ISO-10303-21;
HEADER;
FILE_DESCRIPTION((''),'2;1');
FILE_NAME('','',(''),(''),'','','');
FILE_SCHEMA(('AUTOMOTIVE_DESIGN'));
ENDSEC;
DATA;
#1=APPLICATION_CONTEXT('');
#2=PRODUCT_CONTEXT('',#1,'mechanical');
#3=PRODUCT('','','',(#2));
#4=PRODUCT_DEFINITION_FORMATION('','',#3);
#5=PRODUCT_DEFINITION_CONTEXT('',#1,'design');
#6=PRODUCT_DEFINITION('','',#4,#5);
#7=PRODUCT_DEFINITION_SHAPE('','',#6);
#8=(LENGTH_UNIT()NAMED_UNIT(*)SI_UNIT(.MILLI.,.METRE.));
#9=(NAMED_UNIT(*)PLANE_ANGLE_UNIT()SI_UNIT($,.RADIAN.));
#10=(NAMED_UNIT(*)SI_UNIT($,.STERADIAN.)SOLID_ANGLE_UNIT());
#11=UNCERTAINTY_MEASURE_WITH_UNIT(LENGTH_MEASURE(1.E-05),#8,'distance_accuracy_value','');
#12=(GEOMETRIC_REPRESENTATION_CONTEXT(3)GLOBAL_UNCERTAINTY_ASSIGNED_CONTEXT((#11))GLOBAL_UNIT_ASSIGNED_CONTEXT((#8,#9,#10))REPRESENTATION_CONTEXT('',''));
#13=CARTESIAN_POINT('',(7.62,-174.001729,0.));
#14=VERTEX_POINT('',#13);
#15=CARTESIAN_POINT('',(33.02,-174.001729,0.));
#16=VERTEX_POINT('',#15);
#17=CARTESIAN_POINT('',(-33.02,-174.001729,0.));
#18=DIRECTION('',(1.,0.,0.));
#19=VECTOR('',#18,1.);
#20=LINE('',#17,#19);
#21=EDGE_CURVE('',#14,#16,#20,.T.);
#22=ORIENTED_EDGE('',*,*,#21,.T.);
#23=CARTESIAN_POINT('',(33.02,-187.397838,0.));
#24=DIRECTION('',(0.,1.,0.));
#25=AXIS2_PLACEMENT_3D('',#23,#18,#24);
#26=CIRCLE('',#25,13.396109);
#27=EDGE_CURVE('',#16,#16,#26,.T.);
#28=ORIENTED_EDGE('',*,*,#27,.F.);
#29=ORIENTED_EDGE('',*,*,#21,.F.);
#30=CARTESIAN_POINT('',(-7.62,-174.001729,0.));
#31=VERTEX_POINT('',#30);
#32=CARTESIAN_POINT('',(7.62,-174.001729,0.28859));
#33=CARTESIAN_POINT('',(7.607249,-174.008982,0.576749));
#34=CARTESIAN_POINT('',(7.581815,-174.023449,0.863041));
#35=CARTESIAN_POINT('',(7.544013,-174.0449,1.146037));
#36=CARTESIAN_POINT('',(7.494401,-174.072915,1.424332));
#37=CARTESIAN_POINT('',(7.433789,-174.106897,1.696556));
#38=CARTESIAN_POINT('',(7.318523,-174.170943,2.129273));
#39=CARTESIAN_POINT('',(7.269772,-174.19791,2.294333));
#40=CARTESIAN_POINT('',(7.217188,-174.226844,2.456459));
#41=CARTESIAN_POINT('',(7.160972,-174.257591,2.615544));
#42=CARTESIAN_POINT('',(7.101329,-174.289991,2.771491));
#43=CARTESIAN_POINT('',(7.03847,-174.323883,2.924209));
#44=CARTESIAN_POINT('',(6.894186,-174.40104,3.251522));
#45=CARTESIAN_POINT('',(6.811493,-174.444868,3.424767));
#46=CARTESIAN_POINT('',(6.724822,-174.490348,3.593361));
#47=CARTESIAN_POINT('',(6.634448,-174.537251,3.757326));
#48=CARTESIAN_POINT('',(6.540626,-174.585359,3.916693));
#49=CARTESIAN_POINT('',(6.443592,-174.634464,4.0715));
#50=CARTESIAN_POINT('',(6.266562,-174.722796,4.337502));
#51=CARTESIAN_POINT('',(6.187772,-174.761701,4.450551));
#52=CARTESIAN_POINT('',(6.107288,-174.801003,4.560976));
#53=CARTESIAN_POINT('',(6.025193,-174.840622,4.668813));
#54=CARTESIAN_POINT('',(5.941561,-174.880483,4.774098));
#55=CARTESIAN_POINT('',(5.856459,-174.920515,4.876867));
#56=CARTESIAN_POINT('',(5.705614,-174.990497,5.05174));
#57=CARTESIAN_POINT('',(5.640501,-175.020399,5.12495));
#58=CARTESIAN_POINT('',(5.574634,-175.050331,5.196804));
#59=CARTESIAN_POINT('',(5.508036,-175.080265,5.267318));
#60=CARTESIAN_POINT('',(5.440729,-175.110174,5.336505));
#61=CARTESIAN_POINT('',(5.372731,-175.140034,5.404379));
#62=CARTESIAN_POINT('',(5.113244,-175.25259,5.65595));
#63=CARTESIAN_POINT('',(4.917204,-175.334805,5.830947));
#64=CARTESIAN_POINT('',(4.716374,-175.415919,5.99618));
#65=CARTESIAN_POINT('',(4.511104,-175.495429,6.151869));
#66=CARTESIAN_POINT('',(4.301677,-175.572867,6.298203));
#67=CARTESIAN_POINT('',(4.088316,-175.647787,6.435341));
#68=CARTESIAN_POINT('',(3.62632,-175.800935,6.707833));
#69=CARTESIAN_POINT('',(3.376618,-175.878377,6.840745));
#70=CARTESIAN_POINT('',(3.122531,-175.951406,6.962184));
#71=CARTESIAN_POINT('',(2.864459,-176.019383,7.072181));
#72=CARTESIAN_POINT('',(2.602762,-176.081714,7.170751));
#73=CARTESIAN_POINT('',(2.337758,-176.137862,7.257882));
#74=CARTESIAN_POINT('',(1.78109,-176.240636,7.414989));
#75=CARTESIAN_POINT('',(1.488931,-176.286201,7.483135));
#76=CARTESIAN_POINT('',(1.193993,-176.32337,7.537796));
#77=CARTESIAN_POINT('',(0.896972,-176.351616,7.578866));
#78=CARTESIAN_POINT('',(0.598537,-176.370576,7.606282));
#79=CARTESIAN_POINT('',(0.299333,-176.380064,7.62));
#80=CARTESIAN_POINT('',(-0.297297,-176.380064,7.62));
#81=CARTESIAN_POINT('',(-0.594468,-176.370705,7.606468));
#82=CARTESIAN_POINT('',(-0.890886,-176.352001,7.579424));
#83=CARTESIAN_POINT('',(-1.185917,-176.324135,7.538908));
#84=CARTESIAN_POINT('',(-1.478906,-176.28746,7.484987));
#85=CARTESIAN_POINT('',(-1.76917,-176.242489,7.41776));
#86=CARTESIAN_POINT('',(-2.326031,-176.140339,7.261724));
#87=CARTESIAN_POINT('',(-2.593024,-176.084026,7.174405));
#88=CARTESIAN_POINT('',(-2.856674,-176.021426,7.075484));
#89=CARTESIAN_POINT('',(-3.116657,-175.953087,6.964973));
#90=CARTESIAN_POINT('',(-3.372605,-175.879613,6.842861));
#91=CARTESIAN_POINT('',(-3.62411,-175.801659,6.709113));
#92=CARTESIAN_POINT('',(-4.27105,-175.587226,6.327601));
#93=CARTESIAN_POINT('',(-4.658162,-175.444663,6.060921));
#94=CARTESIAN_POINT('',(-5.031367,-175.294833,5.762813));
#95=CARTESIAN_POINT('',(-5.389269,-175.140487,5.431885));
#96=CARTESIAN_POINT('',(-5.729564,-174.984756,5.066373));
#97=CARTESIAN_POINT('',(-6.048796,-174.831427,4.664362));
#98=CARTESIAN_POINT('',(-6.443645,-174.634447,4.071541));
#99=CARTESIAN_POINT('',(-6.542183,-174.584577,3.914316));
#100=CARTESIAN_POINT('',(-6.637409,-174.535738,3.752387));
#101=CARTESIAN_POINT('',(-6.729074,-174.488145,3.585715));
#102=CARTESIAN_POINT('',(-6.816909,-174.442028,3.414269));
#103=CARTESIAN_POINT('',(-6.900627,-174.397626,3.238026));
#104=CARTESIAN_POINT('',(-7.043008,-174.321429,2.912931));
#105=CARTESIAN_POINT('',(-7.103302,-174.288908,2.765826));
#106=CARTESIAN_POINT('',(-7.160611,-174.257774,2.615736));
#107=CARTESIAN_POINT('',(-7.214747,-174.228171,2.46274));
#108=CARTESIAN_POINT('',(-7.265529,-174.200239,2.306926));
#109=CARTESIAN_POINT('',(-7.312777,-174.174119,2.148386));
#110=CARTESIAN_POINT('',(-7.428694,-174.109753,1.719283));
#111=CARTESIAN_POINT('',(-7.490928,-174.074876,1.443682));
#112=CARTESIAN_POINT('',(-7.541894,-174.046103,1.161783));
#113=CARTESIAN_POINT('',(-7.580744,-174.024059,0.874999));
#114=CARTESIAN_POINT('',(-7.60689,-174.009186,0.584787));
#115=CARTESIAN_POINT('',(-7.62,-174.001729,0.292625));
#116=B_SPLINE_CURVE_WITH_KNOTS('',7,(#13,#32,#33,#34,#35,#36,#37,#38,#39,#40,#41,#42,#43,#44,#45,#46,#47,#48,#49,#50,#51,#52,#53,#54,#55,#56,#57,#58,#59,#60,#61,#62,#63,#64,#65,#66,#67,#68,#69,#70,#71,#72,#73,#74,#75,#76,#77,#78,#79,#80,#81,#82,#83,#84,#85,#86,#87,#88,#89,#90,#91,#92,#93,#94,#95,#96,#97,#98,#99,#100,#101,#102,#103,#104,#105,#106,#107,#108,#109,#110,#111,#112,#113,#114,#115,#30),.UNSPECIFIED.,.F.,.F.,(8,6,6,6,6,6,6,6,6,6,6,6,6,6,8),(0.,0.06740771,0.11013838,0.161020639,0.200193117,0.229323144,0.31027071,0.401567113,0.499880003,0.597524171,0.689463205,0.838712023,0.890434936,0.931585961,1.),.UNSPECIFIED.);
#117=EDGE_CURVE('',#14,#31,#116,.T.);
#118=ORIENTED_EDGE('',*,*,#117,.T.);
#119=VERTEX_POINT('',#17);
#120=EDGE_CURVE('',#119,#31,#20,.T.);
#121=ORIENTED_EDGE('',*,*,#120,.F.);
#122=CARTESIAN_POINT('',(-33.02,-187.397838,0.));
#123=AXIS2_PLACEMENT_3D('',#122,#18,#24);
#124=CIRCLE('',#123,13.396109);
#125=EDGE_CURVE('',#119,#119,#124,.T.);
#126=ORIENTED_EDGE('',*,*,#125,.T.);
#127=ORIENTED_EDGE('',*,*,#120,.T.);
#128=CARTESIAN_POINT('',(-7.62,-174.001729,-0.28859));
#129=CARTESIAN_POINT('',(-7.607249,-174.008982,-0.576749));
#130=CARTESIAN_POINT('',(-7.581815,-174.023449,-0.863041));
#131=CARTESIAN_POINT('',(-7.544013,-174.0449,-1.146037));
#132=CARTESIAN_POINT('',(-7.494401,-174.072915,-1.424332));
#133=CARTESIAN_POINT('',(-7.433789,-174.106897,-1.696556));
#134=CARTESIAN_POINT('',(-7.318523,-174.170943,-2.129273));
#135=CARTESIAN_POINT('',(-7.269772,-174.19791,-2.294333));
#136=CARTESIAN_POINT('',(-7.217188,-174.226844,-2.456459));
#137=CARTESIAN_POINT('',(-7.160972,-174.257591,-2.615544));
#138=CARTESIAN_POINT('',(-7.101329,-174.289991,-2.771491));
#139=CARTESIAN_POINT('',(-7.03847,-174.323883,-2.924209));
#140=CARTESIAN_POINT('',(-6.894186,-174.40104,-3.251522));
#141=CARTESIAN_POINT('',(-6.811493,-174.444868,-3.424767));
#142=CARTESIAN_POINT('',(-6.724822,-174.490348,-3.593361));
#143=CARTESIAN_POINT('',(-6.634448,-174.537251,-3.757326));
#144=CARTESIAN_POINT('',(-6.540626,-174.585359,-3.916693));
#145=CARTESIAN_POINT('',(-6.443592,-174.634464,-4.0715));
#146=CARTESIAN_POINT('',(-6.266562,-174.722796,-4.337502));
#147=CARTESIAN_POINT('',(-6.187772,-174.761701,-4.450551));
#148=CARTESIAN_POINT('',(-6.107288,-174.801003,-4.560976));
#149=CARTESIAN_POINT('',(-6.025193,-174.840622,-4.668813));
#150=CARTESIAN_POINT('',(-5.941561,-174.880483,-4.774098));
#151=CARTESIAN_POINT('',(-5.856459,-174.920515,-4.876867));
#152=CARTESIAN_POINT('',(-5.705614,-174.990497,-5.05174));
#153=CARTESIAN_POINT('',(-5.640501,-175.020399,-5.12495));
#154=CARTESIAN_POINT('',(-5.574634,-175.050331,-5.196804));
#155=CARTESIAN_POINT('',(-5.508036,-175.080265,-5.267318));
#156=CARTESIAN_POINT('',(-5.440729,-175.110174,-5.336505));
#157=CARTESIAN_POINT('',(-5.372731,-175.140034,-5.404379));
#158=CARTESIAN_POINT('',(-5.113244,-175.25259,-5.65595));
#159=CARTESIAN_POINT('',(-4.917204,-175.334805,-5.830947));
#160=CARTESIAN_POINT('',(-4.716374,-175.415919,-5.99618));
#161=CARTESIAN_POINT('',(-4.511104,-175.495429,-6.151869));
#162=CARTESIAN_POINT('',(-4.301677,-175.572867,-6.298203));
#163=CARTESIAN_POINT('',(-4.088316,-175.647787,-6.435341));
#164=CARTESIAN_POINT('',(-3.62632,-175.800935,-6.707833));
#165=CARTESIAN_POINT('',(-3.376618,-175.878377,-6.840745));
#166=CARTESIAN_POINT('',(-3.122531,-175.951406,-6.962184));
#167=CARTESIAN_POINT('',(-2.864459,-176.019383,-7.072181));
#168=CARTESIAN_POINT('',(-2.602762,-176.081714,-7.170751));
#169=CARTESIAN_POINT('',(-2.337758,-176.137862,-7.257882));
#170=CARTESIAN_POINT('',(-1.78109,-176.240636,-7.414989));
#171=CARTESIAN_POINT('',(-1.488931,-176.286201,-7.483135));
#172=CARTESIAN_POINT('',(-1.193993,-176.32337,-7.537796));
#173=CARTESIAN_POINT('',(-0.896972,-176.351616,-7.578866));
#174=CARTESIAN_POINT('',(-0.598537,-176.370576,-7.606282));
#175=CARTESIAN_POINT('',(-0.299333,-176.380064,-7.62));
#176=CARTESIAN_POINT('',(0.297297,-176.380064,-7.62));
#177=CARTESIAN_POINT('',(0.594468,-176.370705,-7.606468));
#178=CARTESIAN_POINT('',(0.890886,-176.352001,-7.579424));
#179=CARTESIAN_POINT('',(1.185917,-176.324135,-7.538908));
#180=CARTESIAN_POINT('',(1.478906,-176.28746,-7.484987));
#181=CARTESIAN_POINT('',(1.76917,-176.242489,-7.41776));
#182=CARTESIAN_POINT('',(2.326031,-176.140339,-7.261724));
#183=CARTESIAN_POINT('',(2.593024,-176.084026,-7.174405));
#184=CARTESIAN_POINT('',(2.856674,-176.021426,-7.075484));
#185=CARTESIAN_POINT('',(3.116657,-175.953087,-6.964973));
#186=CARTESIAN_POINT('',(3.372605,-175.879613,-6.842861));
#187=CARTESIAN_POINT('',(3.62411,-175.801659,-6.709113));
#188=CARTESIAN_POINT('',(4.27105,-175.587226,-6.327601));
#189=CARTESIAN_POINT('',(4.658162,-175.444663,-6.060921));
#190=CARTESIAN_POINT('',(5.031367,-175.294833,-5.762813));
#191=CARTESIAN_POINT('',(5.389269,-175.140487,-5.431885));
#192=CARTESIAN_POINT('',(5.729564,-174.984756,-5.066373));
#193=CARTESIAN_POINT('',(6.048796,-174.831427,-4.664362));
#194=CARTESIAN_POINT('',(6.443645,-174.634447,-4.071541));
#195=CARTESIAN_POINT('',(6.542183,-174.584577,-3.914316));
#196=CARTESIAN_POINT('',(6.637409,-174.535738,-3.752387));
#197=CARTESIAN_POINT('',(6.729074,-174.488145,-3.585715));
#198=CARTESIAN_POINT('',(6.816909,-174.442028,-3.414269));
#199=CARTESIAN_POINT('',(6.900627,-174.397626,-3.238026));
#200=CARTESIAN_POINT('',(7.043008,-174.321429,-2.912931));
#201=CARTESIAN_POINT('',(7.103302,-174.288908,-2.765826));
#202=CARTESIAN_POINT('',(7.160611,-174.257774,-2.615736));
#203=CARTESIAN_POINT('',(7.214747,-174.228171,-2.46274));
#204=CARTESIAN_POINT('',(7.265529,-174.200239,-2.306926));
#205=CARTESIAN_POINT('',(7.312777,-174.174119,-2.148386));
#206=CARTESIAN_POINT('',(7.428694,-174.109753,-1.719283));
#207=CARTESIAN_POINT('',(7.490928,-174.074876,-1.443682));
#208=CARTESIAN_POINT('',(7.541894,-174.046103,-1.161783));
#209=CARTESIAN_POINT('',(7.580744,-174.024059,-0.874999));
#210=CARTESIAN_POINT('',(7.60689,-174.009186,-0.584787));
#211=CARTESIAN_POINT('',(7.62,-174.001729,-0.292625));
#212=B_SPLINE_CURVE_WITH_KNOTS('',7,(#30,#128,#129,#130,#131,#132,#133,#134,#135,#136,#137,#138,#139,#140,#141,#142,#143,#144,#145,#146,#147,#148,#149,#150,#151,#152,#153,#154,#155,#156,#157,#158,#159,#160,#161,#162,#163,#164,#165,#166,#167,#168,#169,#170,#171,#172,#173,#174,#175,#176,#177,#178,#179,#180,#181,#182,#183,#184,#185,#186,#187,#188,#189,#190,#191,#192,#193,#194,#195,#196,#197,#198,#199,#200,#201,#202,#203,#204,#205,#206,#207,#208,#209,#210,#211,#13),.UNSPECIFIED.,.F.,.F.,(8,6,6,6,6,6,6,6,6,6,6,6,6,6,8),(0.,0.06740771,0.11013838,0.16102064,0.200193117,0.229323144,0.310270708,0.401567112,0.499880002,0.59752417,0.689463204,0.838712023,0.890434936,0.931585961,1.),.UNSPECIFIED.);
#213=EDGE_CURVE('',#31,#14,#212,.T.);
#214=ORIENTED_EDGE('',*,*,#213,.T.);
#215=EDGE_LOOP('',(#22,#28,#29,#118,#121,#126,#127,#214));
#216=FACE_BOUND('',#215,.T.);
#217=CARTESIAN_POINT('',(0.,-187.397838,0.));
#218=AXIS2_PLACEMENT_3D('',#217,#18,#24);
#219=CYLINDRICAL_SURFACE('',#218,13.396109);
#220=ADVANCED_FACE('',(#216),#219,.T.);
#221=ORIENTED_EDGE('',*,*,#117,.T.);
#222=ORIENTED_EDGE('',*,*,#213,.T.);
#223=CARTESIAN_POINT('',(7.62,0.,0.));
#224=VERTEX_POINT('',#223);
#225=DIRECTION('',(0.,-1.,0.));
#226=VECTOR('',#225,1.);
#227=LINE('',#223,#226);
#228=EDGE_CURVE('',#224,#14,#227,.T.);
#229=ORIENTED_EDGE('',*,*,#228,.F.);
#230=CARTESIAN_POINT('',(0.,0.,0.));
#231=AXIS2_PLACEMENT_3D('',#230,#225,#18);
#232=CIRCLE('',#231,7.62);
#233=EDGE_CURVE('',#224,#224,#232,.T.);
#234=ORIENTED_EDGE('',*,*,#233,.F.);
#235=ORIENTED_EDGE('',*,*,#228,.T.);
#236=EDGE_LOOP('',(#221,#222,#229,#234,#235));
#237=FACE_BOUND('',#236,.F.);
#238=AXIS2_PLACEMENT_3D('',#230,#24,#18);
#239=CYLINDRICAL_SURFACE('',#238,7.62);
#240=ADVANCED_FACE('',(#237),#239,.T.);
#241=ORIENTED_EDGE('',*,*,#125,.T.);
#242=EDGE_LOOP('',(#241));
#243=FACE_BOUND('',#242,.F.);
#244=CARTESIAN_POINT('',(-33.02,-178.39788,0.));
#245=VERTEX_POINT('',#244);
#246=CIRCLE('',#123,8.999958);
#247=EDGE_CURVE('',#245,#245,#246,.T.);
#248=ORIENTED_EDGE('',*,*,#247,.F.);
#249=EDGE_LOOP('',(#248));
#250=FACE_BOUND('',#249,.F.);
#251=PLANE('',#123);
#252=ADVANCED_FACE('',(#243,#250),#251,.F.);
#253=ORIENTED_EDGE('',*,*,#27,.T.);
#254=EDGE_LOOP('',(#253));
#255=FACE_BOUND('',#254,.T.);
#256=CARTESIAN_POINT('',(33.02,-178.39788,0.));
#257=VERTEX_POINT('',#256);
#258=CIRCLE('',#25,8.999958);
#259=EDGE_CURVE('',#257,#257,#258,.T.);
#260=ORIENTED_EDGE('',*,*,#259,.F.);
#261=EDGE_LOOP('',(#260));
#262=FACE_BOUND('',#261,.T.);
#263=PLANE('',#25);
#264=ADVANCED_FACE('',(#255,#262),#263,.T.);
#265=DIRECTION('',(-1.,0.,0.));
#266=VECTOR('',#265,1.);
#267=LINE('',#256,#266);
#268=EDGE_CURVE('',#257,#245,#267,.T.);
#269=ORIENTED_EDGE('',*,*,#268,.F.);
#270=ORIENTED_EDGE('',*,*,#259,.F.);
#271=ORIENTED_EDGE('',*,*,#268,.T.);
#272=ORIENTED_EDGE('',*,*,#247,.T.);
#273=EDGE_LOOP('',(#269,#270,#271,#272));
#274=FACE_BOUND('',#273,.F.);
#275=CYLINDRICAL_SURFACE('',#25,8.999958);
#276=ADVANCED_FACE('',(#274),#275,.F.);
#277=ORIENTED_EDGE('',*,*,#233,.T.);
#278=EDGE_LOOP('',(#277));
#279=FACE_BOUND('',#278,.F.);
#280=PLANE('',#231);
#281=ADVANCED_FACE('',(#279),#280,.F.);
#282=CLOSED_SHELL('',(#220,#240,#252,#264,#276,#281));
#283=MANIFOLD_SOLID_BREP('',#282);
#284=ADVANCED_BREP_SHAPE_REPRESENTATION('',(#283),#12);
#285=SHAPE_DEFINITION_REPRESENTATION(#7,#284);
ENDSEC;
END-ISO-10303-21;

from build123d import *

# Parameters (mm, degrees)
F0_R     = 7.62
F1_DEPTH = 177.8
F2_R     = 13.3961088479
F3_DEPTH = 33.02
F4_R     = 8.9999575192
F5_DEPTH = 83.312


with BuildPart() as f1:
    # F0 (on Front) → F1 (new body)
    with BuildSketch(Plane.XZ):
        Circle(F0_R)
    extrude(amount=F1_DEPTH)

    # F2 (on Right) → F3 (join, symmetric)
    with BuildSketch(Plane.YZ):
        with Locations((-187.3978376389, 0)):
            Circle(F2_R)
    extrude(amount=F3_DEPTH, both=True)

    # F4 (on face) → F5 (cut)
    with BuildSketch(Plane.YZ.offset(33.02)):
        with Locations((-187.3978376389, 0)):
            Circle(F4_R)
    extrude(amount=-F5_DEPTH, mode=Mode.SUBTRACT)


solid = f1.part
